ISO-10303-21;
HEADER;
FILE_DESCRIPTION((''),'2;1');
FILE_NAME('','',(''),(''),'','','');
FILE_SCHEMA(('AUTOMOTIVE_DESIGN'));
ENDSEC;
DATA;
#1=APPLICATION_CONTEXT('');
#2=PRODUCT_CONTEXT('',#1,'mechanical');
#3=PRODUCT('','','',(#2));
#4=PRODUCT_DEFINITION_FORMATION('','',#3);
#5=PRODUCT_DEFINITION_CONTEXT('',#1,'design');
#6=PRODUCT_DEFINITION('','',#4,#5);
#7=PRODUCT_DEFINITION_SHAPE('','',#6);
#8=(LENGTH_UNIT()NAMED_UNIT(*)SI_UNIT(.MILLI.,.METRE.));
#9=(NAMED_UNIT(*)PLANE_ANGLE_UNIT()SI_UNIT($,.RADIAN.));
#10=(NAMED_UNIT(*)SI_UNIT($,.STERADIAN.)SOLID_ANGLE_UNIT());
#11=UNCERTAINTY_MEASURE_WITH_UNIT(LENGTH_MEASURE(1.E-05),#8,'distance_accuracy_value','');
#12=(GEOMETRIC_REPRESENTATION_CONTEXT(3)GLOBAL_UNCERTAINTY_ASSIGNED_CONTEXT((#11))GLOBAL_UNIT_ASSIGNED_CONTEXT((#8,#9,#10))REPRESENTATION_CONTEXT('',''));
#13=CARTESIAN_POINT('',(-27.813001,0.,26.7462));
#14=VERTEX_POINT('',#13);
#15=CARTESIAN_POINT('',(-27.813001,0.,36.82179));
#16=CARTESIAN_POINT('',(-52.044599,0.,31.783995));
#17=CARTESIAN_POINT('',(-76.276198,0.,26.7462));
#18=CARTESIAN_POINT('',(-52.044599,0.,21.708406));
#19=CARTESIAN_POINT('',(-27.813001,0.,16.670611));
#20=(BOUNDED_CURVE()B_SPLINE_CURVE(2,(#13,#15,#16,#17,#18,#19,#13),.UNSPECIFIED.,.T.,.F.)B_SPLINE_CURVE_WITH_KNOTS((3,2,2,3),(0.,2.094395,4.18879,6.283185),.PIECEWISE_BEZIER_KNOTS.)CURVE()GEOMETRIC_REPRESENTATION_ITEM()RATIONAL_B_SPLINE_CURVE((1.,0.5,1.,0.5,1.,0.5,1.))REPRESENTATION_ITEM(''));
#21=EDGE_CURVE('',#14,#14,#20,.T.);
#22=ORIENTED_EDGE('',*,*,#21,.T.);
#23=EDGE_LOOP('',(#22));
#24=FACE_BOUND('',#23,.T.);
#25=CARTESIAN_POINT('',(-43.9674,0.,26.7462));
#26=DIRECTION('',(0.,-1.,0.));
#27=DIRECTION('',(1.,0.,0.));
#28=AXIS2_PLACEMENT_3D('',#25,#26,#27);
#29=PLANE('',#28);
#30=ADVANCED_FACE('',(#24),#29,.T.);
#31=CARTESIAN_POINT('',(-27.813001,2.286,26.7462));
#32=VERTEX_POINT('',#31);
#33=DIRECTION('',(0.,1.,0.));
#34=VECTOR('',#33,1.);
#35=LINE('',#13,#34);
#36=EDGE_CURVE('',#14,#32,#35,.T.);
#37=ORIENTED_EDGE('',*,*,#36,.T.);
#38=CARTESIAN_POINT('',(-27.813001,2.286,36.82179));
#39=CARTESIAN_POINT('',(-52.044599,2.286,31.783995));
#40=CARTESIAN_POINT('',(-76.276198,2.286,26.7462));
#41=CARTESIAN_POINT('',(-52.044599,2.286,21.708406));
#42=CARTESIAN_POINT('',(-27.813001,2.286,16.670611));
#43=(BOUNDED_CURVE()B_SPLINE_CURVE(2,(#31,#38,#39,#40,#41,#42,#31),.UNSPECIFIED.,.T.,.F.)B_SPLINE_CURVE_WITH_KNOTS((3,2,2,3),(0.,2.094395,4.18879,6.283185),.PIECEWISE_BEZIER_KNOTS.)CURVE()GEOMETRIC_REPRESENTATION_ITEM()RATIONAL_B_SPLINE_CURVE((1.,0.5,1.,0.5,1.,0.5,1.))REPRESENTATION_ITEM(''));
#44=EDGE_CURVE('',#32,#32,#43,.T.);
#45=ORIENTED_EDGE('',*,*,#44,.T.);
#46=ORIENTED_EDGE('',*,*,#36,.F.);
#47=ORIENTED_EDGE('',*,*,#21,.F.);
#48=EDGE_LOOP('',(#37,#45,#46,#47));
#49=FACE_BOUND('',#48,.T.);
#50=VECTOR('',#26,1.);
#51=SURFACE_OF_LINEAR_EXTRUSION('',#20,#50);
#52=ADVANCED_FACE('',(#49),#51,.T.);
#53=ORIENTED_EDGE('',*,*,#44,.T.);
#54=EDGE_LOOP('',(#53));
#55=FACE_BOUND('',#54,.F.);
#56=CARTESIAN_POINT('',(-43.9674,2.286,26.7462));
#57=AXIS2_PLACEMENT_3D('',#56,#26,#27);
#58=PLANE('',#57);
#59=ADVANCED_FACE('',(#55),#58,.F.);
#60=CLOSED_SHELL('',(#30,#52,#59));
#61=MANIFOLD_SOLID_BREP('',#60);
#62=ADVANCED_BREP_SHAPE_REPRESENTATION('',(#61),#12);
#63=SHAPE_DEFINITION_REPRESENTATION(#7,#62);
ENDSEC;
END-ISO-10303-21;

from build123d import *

# Parameters (mm, degrees)
F1_DEPTH = 2.286


with BuildPart() as f1:
    # F0 (on Front) → F1 (new body)
    with BuildSketch(Plane.XZ):
        with BuildLine():
            add(Edge.make_bspline(
                [(-27.813001, 26.7462), (-27.813001, 36.82179), (-52.044599, 31.783995), (-76.276198, 26.7462), (-52.044599, 21.708406), (-27.813001, 16.670611), (-27.813001, 26.7462)],
                knots=[0, 0, 0, 2.094395, 2.094395, 4.18879, 4.18879, 6.283185, 6.283185, 6.283185], degree=2, weights=[1, 0.5, 1, 0.5, 1, 0.5, 1]))
        make_face()
    extrude(amount=-F1_DEPTH)


solid = f1.part
